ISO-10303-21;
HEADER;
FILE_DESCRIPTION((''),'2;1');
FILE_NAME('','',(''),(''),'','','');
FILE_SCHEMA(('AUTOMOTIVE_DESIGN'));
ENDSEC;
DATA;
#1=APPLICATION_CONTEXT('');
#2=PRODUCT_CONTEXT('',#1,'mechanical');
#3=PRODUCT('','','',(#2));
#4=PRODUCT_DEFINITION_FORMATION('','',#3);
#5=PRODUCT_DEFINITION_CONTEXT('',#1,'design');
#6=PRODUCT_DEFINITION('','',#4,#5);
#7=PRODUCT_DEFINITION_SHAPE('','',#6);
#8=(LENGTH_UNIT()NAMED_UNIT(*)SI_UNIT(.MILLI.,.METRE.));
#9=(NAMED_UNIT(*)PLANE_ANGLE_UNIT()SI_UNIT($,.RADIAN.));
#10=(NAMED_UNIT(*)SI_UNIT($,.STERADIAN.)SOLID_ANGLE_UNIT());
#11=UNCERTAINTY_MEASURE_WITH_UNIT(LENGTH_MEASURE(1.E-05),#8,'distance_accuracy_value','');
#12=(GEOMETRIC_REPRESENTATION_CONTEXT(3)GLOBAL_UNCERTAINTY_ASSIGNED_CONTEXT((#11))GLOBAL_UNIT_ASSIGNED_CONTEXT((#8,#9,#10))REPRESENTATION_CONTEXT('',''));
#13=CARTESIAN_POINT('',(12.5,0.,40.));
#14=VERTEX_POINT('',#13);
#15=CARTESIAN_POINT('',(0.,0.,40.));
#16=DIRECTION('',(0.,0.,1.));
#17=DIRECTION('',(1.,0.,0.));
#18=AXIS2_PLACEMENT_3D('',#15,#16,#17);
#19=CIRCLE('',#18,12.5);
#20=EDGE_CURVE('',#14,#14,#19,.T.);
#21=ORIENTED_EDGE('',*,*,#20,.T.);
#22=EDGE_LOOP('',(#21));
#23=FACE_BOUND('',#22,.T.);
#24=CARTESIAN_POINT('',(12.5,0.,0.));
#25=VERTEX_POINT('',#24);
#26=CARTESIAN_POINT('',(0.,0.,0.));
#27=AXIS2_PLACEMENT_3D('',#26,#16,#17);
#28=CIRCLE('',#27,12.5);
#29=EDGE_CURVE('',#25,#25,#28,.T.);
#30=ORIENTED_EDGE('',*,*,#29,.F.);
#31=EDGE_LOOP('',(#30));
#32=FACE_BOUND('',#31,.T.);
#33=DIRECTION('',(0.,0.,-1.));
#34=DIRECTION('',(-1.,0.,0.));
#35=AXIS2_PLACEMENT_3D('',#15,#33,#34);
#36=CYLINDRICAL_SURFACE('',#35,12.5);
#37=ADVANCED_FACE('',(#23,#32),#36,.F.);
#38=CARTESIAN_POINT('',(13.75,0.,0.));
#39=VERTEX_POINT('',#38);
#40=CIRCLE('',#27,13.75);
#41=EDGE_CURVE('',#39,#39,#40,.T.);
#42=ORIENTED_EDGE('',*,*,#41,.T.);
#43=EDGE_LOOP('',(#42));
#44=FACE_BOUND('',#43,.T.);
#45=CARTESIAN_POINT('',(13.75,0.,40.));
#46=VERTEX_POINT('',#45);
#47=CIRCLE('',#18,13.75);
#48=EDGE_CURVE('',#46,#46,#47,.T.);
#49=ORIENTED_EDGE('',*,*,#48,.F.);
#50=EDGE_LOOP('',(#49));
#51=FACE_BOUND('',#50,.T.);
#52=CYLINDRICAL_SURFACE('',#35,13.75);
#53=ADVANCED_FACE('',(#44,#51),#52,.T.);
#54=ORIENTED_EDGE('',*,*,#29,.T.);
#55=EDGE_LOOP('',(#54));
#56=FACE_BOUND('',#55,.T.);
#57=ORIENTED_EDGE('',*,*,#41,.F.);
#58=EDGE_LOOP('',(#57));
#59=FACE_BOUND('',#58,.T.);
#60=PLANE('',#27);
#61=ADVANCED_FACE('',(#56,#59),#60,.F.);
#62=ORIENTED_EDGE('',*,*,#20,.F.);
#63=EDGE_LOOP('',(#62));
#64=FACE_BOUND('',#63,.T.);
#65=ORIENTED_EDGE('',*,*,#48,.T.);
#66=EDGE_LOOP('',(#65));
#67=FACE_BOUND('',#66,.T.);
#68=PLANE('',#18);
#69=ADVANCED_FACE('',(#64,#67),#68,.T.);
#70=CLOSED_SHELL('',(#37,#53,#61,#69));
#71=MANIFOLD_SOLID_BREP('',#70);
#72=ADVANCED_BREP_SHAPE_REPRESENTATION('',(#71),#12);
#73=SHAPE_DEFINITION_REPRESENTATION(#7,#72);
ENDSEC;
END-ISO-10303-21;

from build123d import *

# Parameters (mm, degrees)
ESQUISSE1_R          = 13.75
ESQUISSE1_R_2        = 12.5
BASE_EXTRUSION_DEPTH = 40


with BuildPart() as part:
    # Esquisse1 → Base-Extrusion (new body)
    with BuildSketch(Plane.XY):
        Circle(ESQUISSE1_R)
        Circle(ESQUISSE1_R_2, mode=Mode.SUBTRACT)
    extrude(amount=BASE_EXTRUSION_DEPTH)


solid = part.part
